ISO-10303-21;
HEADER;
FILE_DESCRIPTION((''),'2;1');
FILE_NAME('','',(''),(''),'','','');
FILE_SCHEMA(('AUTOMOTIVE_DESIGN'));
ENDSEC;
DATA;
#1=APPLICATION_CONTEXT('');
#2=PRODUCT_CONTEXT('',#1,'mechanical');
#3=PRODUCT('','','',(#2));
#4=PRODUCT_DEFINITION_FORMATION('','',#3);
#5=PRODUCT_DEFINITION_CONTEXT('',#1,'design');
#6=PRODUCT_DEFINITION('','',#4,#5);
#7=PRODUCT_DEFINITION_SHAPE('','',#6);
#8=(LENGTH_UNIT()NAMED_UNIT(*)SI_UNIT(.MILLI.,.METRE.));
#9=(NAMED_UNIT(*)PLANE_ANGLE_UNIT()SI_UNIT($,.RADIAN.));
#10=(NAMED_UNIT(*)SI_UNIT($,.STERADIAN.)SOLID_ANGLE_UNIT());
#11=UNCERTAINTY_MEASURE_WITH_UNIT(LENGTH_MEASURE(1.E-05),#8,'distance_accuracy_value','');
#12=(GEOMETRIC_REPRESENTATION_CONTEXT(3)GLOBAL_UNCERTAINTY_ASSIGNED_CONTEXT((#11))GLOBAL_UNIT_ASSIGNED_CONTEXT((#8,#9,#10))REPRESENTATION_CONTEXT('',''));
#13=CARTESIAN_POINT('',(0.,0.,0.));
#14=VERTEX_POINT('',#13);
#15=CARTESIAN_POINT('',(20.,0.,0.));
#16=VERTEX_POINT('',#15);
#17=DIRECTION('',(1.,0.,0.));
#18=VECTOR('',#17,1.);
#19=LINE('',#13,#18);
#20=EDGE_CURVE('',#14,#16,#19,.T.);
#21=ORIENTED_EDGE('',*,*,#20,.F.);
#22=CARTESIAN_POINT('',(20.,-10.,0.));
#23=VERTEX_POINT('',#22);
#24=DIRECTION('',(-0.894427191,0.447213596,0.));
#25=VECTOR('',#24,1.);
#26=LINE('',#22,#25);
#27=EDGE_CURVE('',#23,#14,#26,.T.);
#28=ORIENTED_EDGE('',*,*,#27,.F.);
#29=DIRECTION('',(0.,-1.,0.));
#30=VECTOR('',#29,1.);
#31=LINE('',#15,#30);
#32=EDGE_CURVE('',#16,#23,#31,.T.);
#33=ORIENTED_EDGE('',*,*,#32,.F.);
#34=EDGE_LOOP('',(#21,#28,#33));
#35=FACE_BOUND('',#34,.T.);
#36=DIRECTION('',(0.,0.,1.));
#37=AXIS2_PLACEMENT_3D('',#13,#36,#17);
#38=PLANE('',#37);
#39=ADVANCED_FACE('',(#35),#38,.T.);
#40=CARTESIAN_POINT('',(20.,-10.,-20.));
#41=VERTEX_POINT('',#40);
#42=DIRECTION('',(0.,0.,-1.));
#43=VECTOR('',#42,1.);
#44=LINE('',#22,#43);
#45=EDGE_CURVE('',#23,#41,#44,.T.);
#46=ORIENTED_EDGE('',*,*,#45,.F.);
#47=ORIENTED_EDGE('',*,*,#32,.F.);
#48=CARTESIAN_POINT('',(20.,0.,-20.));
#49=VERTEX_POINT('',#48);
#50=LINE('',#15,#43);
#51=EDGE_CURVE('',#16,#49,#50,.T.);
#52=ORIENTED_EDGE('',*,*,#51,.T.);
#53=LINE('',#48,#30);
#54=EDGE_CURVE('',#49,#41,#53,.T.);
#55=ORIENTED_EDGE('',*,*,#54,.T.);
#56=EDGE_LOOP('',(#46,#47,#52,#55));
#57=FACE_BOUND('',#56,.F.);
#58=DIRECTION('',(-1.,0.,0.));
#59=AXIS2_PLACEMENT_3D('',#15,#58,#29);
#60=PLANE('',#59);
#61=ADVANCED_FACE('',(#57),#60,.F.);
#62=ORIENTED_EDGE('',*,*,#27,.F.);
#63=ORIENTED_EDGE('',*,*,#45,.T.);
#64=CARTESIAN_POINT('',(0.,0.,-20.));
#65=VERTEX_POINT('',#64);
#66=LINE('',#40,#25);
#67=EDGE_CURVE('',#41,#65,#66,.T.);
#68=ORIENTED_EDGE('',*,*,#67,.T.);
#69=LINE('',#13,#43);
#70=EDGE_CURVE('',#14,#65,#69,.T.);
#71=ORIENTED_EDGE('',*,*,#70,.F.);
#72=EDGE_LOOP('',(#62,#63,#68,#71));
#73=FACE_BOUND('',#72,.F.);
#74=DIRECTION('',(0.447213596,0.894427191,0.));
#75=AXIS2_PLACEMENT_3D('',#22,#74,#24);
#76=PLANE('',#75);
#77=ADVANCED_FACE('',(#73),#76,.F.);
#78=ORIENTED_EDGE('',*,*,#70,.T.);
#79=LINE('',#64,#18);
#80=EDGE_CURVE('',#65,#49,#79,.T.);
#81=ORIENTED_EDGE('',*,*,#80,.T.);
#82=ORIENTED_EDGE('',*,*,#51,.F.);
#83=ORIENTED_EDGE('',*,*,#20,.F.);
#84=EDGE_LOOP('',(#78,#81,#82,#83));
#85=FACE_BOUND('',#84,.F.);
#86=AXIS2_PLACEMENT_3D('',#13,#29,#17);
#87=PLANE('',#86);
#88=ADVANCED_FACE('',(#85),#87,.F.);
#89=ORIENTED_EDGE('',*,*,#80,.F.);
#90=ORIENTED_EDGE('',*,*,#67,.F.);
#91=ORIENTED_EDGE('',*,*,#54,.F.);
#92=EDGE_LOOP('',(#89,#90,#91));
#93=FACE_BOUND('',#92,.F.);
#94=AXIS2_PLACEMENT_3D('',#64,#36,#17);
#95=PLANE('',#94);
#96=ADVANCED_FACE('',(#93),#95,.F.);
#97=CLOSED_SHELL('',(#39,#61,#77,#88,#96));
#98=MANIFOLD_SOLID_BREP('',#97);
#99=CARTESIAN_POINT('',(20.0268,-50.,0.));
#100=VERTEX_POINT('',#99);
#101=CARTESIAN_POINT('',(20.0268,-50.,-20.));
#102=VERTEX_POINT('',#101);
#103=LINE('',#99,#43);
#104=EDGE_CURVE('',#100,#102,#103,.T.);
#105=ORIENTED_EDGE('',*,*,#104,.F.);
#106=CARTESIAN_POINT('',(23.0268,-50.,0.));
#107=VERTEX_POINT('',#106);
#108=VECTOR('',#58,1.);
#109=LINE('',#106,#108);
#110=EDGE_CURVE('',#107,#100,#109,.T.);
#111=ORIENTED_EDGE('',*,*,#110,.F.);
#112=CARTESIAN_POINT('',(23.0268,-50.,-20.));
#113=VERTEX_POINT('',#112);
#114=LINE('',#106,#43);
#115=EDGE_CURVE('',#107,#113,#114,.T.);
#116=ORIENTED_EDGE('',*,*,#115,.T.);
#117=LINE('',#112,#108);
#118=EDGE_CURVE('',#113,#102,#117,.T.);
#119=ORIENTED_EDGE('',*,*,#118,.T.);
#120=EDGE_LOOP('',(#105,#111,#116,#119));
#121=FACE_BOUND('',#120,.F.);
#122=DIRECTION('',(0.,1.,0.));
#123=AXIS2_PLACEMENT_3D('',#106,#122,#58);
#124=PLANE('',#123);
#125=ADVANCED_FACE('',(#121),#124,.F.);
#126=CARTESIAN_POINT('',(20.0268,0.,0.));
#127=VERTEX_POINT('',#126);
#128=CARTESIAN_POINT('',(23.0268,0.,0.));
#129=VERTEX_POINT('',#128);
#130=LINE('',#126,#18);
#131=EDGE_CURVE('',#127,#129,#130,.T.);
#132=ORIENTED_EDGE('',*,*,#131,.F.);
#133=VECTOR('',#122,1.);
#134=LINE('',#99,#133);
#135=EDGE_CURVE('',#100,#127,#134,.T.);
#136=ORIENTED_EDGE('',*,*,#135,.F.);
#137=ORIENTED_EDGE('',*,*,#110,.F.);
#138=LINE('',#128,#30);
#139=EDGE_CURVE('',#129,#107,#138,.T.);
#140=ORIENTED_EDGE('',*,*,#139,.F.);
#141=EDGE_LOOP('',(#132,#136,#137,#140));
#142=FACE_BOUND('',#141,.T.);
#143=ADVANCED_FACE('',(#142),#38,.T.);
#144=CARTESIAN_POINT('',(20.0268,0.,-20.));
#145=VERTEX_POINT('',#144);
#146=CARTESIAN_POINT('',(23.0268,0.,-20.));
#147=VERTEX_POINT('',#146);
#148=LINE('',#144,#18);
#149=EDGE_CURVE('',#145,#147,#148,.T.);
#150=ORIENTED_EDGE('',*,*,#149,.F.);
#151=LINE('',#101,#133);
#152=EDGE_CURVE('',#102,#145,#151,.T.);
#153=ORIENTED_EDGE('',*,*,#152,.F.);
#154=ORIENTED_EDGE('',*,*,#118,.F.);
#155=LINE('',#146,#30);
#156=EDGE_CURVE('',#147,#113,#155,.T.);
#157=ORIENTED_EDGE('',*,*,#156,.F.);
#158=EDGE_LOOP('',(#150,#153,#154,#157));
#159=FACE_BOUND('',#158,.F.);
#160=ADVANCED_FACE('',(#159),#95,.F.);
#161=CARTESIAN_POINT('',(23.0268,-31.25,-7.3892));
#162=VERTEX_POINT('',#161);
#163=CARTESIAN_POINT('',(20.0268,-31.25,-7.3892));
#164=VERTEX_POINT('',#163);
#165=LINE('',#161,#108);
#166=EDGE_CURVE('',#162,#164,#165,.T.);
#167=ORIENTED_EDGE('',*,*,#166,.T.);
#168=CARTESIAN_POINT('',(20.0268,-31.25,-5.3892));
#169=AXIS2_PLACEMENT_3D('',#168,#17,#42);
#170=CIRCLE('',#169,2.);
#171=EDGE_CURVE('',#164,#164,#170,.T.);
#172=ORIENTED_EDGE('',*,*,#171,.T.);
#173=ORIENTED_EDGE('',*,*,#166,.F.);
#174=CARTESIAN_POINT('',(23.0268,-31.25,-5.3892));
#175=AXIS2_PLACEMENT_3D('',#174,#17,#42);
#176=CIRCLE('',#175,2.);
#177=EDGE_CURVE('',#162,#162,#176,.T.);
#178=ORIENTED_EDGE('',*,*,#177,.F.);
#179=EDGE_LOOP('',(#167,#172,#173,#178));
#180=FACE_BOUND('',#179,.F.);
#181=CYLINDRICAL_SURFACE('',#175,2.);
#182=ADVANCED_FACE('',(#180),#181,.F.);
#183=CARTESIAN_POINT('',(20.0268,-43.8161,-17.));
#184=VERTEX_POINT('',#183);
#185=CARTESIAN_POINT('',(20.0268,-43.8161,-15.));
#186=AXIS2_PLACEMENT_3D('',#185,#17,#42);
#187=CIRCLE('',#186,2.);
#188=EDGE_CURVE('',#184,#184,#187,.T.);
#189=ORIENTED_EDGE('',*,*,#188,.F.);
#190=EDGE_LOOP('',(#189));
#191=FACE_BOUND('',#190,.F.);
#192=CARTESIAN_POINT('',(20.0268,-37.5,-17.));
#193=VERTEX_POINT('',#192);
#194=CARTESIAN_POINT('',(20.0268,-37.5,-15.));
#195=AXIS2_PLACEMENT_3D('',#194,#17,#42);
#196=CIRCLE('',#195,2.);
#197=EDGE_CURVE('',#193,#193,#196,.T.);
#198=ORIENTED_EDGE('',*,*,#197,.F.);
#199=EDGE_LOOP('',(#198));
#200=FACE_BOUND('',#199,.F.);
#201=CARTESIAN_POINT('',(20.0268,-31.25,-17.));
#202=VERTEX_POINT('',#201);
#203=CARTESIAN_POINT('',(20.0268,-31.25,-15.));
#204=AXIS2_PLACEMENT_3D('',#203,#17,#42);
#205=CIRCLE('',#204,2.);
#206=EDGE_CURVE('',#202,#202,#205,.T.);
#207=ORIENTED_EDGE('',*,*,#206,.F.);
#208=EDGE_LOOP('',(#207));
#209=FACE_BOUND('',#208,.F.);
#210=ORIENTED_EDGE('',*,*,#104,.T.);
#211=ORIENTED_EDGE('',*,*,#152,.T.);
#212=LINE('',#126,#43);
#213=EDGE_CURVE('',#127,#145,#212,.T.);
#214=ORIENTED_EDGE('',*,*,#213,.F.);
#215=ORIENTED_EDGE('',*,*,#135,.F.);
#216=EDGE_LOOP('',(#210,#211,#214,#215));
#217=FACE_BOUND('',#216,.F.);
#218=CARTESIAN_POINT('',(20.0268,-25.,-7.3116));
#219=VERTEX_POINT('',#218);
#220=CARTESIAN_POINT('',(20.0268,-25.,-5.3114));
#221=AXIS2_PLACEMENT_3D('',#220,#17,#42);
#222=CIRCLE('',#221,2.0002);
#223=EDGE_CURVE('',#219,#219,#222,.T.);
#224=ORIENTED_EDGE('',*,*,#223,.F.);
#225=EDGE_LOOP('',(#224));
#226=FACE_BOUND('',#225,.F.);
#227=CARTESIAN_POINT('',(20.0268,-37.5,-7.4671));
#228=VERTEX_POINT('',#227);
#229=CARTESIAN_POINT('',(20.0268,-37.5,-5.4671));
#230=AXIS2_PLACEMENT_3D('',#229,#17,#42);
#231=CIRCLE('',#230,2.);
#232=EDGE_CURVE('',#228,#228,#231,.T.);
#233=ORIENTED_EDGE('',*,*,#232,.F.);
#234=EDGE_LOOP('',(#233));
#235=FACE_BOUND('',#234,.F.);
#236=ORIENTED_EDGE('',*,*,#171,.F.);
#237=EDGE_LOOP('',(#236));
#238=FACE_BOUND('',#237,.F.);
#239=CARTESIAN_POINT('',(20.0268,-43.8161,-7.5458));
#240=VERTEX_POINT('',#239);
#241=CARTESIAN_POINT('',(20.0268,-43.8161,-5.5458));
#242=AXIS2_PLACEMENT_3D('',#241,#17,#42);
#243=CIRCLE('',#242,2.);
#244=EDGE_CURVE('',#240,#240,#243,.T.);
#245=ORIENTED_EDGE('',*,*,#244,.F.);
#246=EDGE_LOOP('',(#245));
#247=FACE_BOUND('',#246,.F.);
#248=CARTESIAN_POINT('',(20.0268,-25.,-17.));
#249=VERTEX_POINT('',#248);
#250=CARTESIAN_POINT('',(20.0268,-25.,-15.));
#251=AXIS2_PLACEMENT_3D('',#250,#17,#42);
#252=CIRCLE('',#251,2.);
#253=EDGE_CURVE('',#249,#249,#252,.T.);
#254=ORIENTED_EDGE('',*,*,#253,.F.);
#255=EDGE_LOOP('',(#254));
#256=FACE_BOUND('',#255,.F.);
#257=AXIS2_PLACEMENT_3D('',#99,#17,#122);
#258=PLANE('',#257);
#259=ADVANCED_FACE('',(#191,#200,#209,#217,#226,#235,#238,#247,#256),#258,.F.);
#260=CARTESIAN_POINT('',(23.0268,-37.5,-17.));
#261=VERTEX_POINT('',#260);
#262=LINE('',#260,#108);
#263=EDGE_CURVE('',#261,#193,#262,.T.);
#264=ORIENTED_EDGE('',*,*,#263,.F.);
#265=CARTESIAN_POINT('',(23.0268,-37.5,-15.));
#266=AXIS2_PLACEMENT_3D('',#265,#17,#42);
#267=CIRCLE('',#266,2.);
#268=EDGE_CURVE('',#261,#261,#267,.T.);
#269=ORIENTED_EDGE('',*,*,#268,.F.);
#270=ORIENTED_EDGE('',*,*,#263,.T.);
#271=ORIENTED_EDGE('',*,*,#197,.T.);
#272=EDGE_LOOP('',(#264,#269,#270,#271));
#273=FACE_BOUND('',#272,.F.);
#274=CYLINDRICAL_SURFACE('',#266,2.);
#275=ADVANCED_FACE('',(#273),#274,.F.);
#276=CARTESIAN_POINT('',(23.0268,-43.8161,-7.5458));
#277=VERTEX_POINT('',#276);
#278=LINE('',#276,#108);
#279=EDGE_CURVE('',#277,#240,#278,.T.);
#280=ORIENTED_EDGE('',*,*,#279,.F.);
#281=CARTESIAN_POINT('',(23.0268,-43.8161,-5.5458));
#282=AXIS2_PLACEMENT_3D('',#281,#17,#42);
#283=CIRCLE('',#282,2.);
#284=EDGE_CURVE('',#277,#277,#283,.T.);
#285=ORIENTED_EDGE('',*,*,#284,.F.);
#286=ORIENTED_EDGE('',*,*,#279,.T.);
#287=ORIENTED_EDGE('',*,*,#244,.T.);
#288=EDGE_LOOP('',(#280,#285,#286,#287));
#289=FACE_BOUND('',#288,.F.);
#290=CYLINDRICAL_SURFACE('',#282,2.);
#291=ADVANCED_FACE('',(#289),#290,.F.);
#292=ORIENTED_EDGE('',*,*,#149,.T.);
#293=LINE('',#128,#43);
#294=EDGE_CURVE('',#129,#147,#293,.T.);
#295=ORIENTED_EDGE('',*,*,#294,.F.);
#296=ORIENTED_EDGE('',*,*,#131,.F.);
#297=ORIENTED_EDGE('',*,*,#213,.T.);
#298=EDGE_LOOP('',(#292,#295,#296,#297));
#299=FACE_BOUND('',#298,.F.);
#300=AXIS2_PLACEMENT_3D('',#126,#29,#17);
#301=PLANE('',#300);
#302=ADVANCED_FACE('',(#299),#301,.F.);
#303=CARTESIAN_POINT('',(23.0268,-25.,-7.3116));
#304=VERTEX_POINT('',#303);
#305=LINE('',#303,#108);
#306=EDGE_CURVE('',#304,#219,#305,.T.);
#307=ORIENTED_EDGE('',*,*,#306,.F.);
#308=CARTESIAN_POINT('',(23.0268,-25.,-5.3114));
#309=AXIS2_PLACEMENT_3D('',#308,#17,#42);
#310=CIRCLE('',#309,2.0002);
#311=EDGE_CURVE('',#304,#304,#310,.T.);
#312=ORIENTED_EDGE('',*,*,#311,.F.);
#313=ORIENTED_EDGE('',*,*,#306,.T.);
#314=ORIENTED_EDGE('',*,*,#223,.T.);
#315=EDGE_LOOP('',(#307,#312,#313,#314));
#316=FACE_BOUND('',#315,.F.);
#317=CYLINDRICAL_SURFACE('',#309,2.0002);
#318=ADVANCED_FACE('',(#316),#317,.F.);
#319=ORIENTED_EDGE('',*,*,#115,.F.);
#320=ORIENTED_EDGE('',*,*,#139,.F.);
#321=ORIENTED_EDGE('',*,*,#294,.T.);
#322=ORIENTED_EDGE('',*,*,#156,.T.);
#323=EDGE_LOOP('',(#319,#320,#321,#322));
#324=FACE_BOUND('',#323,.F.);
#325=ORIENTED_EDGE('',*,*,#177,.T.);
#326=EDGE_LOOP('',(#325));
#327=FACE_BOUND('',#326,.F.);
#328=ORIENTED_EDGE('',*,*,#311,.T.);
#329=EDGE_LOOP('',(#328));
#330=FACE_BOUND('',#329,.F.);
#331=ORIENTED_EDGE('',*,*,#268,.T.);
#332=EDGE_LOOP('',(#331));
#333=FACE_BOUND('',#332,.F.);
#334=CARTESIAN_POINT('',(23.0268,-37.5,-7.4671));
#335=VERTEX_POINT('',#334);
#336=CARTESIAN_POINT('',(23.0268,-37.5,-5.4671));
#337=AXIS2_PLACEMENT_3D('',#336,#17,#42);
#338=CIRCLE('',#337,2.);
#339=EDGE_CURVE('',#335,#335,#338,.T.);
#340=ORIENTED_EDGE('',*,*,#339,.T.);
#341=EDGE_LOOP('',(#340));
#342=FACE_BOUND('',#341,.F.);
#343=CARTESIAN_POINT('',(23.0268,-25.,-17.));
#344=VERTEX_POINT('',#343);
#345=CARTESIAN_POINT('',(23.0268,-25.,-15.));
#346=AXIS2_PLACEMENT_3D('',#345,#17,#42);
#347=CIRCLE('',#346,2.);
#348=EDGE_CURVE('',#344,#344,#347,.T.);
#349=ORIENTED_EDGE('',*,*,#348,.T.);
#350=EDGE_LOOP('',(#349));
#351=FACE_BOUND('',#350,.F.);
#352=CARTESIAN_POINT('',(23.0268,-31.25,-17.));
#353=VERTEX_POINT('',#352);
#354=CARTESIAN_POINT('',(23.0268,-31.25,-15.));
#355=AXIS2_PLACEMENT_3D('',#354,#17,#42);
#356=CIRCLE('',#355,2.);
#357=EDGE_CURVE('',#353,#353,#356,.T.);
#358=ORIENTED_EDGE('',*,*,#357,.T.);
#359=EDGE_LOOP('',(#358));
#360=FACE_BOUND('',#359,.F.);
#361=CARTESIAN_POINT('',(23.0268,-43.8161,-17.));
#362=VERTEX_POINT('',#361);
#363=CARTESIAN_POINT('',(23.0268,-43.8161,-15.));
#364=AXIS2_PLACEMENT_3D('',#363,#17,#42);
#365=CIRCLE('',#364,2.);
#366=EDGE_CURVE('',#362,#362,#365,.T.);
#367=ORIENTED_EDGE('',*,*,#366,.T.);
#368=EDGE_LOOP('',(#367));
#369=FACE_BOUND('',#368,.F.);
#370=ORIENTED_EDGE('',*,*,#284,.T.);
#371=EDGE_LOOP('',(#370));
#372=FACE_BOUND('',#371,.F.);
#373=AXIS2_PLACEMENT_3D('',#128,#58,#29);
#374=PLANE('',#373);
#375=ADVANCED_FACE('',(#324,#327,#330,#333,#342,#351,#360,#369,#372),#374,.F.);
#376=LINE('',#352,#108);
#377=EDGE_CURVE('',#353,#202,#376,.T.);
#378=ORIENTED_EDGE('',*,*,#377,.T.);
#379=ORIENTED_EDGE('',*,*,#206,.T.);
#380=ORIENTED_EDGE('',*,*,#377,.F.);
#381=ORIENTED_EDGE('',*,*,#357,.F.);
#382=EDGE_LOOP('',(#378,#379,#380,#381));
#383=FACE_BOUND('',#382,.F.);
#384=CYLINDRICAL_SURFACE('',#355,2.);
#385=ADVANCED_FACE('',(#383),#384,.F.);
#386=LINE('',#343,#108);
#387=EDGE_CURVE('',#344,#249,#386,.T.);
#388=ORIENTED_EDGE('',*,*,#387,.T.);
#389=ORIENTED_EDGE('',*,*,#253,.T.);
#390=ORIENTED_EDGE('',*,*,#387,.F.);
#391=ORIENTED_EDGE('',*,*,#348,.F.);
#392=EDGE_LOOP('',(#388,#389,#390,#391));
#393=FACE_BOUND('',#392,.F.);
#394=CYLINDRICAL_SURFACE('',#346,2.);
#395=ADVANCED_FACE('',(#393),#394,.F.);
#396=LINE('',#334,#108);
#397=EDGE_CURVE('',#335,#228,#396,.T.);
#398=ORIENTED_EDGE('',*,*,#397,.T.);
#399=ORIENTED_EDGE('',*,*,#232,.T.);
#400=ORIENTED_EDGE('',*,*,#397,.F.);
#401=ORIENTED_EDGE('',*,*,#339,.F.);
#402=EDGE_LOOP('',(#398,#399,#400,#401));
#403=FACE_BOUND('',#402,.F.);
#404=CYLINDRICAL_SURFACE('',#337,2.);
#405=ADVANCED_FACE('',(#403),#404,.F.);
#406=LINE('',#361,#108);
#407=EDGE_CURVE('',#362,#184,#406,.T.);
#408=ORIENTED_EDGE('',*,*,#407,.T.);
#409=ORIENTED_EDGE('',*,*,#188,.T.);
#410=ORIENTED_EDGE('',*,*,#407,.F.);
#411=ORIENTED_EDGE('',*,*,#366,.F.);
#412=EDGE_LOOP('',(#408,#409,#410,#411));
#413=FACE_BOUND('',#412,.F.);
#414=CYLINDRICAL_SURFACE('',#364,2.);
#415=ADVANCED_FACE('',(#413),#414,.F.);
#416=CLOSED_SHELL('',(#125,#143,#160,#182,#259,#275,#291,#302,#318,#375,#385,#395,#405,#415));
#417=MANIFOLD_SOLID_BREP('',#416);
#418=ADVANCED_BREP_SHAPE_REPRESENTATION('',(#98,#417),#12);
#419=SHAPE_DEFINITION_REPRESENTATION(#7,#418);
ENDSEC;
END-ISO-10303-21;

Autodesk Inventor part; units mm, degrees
ref_plane "YZ Plane" through (0, 0, 0) normal (1, 0, 0) x (0, 1, 0)
ref_plane "XZ Plane" through (0, 0, 0) normal (0, 1, 0) x (-1, 0, 0)
ref_plane "XY Plane" through (0, 0, 0) normal (0, 0, 1) x (1, 0, 0)
sketch "Эскиз5" plane through (0, 0, 0) normal (0, 0, 1) x (1, 0, 0)
  line L0 (0, 0) -> (20, 0)
  line L1 (20, 0) -> (20, -10)
  line L2 (20, -10) -> (0, 0)
  dimension "d14" = 20
  dimension "d15" = 10
extrude "Выдавливание5" add sketch "Эскиз5" against normal blind 20
sketch "Эскиз6" plane through (0, 0, 0) normal (0, 0, 1) x (1, 0, 0)
  line L0 (20.0268, 0) -> (23.0268, 0)
  line L1 (23.0268, 0) -> (23.0268, -50)
  line L2 (23.0268, -50) -> (20.0268, -50)
  line L3 (20.0268, -50) -> (20.0268, 0)
  point P0 (0, 0)
  dimension "d18" = 3
  dimension "d19" = 50
extrude "Выдавливание6" add sketch "Эскиз6" against normal blind 20
sketch "Эскиз7" plane through (23.0268, -50, 0) normal (1, 0, 0) x (0, 0, -1)
  line L0 (0, 50) -> (0, 0) projected
  line L1 (0, 0) -> (20, 0) projected
  line L2 (20, 50) -> (20, 0) projected
  line L3 (0, 50) -> (20, 50) projected
  line L4 (10, 50) -> (10.622, 0) construction
  line L5 (20, 50) -> (20, 0) construction
  line L6 (20, 25) -> (0, 25) construction
  line L7 (20, 25) -> (20, 0) construction
  line L8 (20, 12.5) -> (0, 12.5) construction
  line L9 (0, -0.1321) -> (0, 25) construction
  line L10 (0, 50) -> (0, 25) construction
  line L11 (0, 25) -> (0, 50) construction
  line L12 (0, 50) -> (0, 25) construction
  line L13 (0, 37.5) -> (20, 37.5) construction
  line L14 (0, 50) -> (10, 50) construction
  line L15 (20, 50) -> (10, 50) construction
  line L16 (0, 50) -> (10, 50) construction
  line L17 (5, 50) -> (5.6228, 0) construction
  line L18 (20, 50) -> (10, 50) construction
  line L19 (15, 50) -> (15, 0) construction
  circle A0 centre (5.4671, 12.5) radius 2
  circle A1 centre (15, 12.5) radius 2
  circle A2 centre (15, 25) radius 2
  circle A3 centre (5.3114, 25) radius 2.0002
  line L20 (0, 12.5) -> (0, 0) construction
  line L21 (0, 50) -> (0, 0) construction
  line L22 (0, -0.1321) -> (0, 12.5) construction
  line L23 (0, 6.1839) -> (20, 6.1839) construction
  circle A4 centre (5.5458, 6.1839) radius 2
  circle A5 centre (15, 6.1839) radius 2
  line L24 (0, 25) -> (0, 12.5)
  line L25 (0, 18.75) -> (20, 18.75) construction
  circle A6 centre (5.3892, 18.75) radius 2
  circle A7 centre (15, 18.75) radius 2
  line L26 (0, 37.5) -> (0, 25)
  line L27 (0, 31.25) -> (20, 31.25) construction
  dimension "d22" = 4
  dimension "d23" = 4
  dimension "d27" = 4
  dimension "d28" = 4
  dimension "d29" = 4
extrude "Выдавливание7" cut sketch "Эскиз7" against normal blind 20 contours A0 | A1 | A2 | A3 | A4 | A5 | A6 | A7
properties part number "Mount for camera"
